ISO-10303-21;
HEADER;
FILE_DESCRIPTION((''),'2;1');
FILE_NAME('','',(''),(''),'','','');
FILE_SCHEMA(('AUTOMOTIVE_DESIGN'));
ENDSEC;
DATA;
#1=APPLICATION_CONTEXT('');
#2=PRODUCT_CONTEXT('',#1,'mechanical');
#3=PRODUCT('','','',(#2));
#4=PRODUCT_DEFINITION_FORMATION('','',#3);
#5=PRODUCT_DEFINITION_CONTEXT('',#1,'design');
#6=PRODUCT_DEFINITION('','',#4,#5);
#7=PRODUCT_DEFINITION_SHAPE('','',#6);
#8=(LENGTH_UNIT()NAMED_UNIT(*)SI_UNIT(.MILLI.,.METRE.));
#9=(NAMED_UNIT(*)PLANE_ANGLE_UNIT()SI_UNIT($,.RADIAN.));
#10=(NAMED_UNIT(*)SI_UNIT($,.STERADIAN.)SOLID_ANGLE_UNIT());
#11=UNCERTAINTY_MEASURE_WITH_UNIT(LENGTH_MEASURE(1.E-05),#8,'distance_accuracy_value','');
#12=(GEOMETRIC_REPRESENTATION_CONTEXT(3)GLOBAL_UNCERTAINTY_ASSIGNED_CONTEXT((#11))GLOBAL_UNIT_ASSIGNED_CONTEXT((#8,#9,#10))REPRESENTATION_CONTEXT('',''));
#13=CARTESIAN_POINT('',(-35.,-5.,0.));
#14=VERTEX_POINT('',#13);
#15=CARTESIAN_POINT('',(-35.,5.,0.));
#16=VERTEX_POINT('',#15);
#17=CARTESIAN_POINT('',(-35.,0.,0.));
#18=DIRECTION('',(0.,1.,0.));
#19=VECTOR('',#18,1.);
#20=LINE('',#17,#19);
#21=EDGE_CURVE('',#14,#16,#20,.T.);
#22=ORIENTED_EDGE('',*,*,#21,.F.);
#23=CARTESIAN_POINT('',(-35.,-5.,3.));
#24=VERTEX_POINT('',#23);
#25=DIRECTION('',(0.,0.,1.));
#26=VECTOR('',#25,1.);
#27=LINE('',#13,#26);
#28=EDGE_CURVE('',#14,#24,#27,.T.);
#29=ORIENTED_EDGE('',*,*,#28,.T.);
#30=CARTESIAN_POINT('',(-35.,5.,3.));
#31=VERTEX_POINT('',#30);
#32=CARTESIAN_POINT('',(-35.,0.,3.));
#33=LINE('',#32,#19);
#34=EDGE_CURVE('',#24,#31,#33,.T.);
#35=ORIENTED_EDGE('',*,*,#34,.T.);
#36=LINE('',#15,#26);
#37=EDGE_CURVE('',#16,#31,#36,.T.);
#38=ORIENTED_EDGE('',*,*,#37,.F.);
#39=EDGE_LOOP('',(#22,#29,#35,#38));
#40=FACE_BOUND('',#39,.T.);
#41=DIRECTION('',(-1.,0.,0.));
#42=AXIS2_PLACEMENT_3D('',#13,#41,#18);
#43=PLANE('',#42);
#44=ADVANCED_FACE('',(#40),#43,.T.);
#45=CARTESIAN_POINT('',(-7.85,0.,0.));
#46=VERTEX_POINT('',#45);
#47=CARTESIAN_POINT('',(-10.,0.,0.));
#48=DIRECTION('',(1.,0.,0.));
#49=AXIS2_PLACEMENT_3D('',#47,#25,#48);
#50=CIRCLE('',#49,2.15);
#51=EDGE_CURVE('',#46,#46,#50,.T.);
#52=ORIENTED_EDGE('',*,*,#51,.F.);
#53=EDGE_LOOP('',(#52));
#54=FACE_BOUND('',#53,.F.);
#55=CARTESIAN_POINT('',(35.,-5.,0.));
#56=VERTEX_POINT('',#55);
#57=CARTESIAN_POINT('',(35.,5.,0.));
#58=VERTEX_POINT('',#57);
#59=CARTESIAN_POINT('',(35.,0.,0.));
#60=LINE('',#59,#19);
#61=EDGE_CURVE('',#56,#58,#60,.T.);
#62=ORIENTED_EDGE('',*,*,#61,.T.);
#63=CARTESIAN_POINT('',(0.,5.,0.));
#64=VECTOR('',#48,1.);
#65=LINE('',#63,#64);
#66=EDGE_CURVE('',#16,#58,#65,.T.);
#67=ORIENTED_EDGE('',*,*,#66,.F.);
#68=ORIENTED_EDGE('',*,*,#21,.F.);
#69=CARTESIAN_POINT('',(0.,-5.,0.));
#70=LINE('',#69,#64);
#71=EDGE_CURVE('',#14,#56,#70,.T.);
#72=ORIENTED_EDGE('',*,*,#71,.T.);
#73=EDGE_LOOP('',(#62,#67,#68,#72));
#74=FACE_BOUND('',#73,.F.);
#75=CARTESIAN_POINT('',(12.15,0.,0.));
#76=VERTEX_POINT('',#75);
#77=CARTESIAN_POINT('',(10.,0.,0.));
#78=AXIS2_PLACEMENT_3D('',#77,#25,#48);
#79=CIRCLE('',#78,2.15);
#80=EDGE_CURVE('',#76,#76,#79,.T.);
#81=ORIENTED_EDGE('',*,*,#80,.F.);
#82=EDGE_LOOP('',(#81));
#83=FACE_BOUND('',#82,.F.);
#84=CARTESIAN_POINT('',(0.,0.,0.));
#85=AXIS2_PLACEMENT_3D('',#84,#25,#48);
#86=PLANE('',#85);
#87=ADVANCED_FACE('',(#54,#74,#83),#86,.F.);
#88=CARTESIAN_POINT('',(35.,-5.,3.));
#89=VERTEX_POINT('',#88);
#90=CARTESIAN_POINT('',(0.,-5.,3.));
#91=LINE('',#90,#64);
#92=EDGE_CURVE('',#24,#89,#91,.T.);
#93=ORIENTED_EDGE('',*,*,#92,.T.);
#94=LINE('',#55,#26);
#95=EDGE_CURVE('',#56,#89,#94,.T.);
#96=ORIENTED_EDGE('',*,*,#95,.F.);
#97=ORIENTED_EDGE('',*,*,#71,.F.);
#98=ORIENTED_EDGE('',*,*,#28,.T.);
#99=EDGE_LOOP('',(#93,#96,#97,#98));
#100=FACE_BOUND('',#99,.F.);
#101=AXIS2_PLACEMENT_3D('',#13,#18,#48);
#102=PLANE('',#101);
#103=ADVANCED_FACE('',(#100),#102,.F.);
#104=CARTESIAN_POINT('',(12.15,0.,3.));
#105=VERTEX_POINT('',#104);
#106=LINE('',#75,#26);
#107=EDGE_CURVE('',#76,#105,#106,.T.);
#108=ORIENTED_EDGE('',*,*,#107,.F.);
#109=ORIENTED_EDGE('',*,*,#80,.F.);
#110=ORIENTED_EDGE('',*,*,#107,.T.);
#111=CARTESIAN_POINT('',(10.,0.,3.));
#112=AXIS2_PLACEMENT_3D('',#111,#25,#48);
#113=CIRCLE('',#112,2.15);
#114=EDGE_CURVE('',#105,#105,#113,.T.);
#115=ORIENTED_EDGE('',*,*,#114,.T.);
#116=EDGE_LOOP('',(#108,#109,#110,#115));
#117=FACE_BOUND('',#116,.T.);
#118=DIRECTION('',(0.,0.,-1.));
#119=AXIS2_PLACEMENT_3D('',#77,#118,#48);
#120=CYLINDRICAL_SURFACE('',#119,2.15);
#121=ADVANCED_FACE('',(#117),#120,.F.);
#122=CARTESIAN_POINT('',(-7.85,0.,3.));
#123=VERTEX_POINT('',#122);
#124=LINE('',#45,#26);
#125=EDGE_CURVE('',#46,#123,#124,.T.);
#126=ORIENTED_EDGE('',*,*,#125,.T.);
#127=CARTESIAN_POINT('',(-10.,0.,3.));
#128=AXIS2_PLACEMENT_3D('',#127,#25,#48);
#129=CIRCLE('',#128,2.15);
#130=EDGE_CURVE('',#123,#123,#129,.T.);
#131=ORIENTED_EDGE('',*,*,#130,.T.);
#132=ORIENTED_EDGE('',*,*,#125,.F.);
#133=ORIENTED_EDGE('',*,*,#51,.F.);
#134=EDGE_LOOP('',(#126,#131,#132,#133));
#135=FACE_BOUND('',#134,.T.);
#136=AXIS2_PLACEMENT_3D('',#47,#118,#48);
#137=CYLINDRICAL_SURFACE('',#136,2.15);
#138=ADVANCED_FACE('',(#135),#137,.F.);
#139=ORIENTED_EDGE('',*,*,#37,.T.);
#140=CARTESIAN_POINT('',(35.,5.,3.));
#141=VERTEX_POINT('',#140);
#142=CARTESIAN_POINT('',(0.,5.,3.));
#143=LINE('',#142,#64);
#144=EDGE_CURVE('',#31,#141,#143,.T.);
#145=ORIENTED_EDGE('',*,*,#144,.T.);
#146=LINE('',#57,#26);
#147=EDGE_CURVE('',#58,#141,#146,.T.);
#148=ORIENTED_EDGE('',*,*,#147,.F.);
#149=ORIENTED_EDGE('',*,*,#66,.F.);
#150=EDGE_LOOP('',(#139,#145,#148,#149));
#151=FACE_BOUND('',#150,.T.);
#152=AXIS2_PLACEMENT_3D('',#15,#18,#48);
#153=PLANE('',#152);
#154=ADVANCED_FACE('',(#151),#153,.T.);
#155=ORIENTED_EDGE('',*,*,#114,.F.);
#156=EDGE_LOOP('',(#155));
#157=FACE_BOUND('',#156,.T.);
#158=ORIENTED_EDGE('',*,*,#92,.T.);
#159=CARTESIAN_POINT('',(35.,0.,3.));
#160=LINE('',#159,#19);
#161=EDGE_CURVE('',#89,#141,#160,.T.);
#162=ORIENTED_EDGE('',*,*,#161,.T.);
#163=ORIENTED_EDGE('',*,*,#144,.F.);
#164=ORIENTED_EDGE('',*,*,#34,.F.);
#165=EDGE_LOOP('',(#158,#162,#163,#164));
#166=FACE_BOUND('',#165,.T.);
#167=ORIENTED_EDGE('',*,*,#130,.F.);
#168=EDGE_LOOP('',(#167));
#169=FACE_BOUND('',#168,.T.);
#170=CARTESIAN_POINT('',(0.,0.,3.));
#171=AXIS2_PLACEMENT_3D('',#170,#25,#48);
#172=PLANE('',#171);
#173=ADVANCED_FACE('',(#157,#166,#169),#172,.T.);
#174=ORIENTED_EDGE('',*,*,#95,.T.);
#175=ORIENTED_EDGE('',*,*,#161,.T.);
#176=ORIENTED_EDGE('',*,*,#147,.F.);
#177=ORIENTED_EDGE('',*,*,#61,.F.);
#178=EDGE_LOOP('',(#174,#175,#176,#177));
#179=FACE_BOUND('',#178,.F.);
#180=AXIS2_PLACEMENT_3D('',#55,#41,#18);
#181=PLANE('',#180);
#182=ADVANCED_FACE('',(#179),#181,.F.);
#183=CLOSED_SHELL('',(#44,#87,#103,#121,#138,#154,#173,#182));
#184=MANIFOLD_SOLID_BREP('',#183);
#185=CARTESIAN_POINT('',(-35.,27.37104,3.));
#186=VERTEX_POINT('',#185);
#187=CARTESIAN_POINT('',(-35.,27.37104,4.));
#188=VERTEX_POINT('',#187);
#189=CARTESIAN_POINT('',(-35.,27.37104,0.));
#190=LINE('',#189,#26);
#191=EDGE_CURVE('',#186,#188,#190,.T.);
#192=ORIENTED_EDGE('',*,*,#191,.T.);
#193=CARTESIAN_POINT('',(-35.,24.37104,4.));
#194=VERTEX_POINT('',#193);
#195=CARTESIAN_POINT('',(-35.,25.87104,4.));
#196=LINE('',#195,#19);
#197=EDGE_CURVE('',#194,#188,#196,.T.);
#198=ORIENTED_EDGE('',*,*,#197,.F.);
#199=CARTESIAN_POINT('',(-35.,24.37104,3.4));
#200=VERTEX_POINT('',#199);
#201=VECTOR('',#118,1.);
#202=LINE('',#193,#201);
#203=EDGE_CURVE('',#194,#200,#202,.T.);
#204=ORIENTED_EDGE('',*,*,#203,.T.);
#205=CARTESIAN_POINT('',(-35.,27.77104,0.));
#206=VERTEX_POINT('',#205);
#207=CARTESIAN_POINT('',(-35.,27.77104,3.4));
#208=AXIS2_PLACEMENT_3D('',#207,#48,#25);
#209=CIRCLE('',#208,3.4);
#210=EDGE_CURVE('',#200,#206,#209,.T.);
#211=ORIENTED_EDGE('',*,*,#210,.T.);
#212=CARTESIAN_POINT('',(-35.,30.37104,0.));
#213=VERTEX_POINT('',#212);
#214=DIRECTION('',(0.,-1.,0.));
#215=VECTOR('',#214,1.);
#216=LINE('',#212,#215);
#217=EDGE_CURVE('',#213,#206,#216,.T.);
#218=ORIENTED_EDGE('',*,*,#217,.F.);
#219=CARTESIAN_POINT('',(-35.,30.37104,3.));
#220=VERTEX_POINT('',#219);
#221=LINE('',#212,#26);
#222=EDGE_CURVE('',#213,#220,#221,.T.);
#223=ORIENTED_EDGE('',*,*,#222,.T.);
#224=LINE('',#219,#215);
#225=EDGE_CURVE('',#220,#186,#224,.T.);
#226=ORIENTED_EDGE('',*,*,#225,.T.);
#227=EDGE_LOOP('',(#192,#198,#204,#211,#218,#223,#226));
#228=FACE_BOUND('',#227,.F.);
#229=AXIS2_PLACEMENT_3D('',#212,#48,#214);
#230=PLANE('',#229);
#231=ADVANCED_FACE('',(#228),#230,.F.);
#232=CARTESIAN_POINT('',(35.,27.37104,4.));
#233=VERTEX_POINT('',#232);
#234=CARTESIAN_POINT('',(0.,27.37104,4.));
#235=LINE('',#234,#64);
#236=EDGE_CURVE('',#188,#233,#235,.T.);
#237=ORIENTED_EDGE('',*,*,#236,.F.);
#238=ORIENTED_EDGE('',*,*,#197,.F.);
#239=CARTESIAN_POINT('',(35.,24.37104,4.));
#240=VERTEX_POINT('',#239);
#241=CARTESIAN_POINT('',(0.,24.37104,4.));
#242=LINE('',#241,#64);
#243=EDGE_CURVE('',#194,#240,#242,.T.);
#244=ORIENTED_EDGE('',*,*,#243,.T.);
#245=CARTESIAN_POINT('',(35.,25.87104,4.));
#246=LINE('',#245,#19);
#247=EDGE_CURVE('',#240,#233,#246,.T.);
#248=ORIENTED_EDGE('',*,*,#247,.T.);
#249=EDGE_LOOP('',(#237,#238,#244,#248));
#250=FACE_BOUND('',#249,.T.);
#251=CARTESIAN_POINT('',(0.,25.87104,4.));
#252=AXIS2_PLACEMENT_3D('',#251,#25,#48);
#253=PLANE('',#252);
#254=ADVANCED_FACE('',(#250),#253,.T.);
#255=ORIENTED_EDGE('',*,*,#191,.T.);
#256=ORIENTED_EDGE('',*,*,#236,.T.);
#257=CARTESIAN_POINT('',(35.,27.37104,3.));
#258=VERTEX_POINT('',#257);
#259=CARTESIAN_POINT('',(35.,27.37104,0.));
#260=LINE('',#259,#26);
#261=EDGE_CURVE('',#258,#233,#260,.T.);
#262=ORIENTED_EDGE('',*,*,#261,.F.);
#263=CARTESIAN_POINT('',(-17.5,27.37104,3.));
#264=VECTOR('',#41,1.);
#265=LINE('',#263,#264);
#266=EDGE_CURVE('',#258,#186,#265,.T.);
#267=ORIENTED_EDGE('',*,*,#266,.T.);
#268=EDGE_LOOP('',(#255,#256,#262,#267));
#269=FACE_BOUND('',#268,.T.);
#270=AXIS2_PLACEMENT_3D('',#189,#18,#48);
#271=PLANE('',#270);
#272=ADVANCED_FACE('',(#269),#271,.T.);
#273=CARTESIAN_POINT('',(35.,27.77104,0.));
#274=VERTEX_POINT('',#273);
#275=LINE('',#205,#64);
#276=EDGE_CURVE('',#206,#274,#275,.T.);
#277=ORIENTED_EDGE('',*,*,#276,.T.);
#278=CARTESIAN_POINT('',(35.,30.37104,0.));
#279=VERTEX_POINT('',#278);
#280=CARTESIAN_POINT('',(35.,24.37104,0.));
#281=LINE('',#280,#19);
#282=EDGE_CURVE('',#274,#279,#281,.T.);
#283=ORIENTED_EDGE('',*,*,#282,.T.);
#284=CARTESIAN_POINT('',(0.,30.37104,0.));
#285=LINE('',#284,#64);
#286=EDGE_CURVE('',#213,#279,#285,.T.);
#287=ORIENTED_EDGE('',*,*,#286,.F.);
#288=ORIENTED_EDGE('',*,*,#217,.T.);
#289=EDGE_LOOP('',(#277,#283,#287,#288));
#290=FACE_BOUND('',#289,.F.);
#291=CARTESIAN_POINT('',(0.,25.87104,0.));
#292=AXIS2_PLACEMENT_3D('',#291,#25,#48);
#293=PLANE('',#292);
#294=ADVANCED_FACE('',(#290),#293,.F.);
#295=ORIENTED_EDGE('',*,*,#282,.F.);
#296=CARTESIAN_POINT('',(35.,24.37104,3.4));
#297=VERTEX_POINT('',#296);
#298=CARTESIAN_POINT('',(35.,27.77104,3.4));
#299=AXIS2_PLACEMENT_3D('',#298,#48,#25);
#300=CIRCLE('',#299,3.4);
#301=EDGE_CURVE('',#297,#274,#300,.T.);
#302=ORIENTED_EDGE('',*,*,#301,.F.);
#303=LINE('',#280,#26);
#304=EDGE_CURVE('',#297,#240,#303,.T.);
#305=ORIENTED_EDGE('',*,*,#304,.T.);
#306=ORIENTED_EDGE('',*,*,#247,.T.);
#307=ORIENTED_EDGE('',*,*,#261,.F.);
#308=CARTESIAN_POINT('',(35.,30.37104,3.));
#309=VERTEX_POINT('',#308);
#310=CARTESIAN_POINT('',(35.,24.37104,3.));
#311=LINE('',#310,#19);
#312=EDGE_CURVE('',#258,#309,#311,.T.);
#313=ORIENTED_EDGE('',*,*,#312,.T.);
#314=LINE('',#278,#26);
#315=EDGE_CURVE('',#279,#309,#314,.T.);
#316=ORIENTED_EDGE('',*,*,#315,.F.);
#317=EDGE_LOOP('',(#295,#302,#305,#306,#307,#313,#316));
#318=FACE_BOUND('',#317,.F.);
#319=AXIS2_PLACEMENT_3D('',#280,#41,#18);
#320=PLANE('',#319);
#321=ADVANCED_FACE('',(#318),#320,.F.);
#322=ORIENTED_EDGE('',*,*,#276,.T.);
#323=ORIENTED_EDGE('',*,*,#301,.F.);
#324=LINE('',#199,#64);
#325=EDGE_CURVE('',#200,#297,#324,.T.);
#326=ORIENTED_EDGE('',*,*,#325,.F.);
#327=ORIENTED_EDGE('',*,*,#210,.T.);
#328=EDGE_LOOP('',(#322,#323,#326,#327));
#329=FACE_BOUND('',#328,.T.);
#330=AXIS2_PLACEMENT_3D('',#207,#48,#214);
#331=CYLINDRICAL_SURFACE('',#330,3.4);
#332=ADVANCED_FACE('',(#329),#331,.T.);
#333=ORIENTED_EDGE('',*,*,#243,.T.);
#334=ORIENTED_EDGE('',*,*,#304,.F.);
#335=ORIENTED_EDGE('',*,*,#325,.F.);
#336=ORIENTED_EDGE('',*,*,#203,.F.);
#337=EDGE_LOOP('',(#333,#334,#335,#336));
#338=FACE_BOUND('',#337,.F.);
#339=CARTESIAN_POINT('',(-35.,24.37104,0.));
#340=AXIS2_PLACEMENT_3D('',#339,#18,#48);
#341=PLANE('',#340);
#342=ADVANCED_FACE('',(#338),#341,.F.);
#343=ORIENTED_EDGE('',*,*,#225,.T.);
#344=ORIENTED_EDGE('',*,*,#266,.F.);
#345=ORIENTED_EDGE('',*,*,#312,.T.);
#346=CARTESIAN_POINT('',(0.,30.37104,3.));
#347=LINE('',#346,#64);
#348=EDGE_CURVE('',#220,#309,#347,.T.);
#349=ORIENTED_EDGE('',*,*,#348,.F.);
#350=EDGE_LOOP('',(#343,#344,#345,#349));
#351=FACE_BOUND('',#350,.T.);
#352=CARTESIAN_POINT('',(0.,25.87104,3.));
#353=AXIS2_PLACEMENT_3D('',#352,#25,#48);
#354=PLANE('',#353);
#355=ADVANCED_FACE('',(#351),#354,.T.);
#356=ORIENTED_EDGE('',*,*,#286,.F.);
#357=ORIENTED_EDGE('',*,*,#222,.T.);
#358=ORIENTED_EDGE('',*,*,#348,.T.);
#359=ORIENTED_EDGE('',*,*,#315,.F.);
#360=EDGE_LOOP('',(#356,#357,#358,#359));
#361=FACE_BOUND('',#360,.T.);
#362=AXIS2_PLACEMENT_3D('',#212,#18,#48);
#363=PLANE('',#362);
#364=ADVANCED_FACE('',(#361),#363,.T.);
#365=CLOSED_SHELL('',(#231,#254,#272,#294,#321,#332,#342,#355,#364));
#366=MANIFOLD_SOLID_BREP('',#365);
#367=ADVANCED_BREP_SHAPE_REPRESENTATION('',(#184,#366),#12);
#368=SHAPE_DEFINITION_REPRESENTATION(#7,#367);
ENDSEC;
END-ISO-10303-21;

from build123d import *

# Parameters (mm, degrees)
F0_W     = 70
F0_H     = 10
F0_R     = 2.15
F1_DEPTH = 3
F0_H_2   = 3
F2_DEPTH = 3
F3_DEPTH = 4
F4_R     = 3.4


with BuildPart() as f1:
    # F0 (on Top) → F1 (new body)
    with BuildSketch(Plane.XY):
        Rectangle(F0_W, F0_H)
        with Locations((-10, 0)):
            Circle(F0_R, mode=Mode.SUBTRACT)
        with Locations((10, 0)):
            Circle(F0_R, mode=Mode.SUBTRACT)
    extrude(amount=F1_DEPTH)


with BuildPart() as f2:
    # F0 (on Top) → F2 (new body)
    with BuildSketch(Plane.XY):
        with Locations((0, 25.87104)):
            Rectangle(F0_W, F0_H_2)
        with Locations((0, 28.87104)):
            Rectangle(F0_W, F0_H_2)
    extrude(amount=F2_DEPTH)

    # F0 (on Top) → F3 (join)
    with BuildSketch(Plane.XY):
        with Locations((0, 25.87104)):
            Rectangle(F0_W, F0_H_2)
    extrude(amount=F3_DEPTH)

    # F4
    f4_edges = [f2.edges().sort_by_distance(p)[0] for p in [
        (0, 24.37104, 0),
    ]]
    fillet(f4_edges, radius=F4_R)


solid = Compound([f1.part, f2.part])
